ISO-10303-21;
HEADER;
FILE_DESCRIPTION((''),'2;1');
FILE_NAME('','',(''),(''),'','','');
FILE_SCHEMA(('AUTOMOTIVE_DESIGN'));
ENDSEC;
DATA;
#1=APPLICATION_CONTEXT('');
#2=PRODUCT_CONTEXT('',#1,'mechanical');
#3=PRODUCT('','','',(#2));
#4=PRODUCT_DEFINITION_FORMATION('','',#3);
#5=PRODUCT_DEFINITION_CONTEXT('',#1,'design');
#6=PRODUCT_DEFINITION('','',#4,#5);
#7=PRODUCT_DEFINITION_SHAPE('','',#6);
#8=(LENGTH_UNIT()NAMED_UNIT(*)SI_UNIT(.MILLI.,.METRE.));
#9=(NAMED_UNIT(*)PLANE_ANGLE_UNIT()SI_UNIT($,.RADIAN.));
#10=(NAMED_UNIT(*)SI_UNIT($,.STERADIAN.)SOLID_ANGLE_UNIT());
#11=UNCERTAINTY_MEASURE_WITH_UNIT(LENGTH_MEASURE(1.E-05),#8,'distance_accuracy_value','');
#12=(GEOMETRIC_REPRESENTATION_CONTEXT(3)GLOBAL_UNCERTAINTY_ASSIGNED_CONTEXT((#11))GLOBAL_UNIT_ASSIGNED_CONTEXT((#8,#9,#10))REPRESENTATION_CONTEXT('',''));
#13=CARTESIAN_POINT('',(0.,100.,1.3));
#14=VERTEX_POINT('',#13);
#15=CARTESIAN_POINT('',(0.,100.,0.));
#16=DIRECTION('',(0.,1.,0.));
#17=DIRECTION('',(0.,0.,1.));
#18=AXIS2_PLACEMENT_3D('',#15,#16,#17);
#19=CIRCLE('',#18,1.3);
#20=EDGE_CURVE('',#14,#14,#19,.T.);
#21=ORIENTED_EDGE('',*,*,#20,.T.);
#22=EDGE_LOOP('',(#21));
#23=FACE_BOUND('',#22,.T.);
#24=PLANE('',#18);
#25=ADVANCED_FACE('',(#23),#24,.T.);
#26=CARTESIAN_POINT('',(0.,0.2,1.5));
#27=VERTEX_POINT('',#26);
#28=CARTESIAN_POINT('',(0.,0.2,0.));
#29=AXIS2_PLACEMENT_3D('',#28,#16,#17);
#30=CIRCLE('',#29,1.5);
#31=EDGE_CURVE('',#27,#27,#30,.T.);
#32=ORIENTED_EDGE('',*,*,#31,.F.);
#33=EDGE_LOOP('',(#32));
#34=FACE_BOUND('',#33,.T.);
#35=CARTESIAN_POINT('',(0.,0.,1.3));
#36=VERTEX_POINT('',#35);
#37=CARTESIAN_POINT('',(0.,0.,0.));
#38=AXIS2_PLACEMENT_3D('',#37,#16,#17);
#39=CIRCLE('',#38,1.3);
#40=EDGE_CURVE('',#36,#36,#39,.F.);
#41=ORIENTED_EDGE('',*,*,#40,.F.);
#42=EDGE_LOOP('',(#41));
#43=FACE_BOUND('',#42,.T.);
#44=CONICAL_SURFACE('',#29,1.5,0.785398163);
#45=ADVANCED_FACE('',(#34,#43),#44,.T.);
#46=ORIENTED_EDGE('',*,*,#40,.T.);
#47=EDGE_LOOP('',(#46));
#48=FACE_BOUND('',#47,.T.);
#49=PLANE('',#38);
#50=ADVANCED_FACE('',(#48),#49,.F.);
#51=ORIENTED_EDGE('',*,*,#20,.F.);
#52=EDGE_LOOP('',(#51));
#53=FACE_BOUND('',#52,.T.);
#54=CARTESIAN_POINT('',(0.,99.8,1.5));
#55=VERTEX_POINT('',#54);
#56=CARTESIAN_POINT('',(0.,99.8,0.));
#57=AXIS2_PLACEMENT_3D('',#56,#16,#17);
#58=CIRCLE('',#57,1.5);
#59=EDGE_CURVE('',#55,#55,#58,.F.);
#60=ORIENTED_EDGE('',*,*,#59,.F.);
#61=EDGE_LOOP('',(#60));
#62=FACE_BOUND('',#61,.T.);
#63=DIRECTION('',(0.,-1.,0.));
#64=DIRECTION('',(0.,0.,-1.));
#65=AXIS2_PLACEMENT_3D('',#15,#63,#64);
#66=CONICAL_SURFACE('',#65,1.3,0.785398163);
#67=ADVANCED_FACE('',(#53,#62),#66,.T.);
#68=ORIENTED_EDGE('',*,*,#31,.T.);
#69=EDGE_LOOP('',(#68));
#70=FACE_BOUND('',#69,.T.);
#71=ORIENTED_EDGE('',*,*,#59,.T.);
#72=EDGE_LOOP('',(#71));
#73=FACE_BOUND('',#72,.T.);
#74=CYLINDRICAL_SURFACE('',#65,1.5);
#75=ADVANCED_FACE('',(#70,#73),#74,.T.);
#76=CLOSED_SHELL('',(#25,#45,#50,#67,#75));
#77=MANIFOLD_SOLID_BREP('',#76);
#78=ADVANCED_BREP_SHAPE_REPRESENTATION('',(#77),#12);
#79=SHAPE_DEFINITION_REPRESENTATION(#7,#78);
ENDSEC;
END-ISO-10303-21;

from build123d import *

# Parameters (mm, degrees)
SKETCH1_R           = 1.5
BOSS_EXTRUDE1_DEPTH = 100
CHAMFER1_SIZE       = 0.2


with BuildPart() as part:
    # Sketch1 → Boss-Extrude1 (new body)
    with BuildSketch(Plane(origin=(0, 0, 0), x_dir=(1, 0, 0), z_dir=(0, 1, 0))):
        Circle(SKETCH1_R)
    extrude(amount=BOSS_EXTRUDE1_DEPTH)

    # Chamfer1
    chamfer1_edges = [part.edges().sort_by_distance(p)[0] for p in [
        (-1.5, 0, 0),
        (-1.5, 100, 0),
    ]]
    chamfer(chamfer1_edges, length=CHAMFER1_SIZE)


solid = part.part
